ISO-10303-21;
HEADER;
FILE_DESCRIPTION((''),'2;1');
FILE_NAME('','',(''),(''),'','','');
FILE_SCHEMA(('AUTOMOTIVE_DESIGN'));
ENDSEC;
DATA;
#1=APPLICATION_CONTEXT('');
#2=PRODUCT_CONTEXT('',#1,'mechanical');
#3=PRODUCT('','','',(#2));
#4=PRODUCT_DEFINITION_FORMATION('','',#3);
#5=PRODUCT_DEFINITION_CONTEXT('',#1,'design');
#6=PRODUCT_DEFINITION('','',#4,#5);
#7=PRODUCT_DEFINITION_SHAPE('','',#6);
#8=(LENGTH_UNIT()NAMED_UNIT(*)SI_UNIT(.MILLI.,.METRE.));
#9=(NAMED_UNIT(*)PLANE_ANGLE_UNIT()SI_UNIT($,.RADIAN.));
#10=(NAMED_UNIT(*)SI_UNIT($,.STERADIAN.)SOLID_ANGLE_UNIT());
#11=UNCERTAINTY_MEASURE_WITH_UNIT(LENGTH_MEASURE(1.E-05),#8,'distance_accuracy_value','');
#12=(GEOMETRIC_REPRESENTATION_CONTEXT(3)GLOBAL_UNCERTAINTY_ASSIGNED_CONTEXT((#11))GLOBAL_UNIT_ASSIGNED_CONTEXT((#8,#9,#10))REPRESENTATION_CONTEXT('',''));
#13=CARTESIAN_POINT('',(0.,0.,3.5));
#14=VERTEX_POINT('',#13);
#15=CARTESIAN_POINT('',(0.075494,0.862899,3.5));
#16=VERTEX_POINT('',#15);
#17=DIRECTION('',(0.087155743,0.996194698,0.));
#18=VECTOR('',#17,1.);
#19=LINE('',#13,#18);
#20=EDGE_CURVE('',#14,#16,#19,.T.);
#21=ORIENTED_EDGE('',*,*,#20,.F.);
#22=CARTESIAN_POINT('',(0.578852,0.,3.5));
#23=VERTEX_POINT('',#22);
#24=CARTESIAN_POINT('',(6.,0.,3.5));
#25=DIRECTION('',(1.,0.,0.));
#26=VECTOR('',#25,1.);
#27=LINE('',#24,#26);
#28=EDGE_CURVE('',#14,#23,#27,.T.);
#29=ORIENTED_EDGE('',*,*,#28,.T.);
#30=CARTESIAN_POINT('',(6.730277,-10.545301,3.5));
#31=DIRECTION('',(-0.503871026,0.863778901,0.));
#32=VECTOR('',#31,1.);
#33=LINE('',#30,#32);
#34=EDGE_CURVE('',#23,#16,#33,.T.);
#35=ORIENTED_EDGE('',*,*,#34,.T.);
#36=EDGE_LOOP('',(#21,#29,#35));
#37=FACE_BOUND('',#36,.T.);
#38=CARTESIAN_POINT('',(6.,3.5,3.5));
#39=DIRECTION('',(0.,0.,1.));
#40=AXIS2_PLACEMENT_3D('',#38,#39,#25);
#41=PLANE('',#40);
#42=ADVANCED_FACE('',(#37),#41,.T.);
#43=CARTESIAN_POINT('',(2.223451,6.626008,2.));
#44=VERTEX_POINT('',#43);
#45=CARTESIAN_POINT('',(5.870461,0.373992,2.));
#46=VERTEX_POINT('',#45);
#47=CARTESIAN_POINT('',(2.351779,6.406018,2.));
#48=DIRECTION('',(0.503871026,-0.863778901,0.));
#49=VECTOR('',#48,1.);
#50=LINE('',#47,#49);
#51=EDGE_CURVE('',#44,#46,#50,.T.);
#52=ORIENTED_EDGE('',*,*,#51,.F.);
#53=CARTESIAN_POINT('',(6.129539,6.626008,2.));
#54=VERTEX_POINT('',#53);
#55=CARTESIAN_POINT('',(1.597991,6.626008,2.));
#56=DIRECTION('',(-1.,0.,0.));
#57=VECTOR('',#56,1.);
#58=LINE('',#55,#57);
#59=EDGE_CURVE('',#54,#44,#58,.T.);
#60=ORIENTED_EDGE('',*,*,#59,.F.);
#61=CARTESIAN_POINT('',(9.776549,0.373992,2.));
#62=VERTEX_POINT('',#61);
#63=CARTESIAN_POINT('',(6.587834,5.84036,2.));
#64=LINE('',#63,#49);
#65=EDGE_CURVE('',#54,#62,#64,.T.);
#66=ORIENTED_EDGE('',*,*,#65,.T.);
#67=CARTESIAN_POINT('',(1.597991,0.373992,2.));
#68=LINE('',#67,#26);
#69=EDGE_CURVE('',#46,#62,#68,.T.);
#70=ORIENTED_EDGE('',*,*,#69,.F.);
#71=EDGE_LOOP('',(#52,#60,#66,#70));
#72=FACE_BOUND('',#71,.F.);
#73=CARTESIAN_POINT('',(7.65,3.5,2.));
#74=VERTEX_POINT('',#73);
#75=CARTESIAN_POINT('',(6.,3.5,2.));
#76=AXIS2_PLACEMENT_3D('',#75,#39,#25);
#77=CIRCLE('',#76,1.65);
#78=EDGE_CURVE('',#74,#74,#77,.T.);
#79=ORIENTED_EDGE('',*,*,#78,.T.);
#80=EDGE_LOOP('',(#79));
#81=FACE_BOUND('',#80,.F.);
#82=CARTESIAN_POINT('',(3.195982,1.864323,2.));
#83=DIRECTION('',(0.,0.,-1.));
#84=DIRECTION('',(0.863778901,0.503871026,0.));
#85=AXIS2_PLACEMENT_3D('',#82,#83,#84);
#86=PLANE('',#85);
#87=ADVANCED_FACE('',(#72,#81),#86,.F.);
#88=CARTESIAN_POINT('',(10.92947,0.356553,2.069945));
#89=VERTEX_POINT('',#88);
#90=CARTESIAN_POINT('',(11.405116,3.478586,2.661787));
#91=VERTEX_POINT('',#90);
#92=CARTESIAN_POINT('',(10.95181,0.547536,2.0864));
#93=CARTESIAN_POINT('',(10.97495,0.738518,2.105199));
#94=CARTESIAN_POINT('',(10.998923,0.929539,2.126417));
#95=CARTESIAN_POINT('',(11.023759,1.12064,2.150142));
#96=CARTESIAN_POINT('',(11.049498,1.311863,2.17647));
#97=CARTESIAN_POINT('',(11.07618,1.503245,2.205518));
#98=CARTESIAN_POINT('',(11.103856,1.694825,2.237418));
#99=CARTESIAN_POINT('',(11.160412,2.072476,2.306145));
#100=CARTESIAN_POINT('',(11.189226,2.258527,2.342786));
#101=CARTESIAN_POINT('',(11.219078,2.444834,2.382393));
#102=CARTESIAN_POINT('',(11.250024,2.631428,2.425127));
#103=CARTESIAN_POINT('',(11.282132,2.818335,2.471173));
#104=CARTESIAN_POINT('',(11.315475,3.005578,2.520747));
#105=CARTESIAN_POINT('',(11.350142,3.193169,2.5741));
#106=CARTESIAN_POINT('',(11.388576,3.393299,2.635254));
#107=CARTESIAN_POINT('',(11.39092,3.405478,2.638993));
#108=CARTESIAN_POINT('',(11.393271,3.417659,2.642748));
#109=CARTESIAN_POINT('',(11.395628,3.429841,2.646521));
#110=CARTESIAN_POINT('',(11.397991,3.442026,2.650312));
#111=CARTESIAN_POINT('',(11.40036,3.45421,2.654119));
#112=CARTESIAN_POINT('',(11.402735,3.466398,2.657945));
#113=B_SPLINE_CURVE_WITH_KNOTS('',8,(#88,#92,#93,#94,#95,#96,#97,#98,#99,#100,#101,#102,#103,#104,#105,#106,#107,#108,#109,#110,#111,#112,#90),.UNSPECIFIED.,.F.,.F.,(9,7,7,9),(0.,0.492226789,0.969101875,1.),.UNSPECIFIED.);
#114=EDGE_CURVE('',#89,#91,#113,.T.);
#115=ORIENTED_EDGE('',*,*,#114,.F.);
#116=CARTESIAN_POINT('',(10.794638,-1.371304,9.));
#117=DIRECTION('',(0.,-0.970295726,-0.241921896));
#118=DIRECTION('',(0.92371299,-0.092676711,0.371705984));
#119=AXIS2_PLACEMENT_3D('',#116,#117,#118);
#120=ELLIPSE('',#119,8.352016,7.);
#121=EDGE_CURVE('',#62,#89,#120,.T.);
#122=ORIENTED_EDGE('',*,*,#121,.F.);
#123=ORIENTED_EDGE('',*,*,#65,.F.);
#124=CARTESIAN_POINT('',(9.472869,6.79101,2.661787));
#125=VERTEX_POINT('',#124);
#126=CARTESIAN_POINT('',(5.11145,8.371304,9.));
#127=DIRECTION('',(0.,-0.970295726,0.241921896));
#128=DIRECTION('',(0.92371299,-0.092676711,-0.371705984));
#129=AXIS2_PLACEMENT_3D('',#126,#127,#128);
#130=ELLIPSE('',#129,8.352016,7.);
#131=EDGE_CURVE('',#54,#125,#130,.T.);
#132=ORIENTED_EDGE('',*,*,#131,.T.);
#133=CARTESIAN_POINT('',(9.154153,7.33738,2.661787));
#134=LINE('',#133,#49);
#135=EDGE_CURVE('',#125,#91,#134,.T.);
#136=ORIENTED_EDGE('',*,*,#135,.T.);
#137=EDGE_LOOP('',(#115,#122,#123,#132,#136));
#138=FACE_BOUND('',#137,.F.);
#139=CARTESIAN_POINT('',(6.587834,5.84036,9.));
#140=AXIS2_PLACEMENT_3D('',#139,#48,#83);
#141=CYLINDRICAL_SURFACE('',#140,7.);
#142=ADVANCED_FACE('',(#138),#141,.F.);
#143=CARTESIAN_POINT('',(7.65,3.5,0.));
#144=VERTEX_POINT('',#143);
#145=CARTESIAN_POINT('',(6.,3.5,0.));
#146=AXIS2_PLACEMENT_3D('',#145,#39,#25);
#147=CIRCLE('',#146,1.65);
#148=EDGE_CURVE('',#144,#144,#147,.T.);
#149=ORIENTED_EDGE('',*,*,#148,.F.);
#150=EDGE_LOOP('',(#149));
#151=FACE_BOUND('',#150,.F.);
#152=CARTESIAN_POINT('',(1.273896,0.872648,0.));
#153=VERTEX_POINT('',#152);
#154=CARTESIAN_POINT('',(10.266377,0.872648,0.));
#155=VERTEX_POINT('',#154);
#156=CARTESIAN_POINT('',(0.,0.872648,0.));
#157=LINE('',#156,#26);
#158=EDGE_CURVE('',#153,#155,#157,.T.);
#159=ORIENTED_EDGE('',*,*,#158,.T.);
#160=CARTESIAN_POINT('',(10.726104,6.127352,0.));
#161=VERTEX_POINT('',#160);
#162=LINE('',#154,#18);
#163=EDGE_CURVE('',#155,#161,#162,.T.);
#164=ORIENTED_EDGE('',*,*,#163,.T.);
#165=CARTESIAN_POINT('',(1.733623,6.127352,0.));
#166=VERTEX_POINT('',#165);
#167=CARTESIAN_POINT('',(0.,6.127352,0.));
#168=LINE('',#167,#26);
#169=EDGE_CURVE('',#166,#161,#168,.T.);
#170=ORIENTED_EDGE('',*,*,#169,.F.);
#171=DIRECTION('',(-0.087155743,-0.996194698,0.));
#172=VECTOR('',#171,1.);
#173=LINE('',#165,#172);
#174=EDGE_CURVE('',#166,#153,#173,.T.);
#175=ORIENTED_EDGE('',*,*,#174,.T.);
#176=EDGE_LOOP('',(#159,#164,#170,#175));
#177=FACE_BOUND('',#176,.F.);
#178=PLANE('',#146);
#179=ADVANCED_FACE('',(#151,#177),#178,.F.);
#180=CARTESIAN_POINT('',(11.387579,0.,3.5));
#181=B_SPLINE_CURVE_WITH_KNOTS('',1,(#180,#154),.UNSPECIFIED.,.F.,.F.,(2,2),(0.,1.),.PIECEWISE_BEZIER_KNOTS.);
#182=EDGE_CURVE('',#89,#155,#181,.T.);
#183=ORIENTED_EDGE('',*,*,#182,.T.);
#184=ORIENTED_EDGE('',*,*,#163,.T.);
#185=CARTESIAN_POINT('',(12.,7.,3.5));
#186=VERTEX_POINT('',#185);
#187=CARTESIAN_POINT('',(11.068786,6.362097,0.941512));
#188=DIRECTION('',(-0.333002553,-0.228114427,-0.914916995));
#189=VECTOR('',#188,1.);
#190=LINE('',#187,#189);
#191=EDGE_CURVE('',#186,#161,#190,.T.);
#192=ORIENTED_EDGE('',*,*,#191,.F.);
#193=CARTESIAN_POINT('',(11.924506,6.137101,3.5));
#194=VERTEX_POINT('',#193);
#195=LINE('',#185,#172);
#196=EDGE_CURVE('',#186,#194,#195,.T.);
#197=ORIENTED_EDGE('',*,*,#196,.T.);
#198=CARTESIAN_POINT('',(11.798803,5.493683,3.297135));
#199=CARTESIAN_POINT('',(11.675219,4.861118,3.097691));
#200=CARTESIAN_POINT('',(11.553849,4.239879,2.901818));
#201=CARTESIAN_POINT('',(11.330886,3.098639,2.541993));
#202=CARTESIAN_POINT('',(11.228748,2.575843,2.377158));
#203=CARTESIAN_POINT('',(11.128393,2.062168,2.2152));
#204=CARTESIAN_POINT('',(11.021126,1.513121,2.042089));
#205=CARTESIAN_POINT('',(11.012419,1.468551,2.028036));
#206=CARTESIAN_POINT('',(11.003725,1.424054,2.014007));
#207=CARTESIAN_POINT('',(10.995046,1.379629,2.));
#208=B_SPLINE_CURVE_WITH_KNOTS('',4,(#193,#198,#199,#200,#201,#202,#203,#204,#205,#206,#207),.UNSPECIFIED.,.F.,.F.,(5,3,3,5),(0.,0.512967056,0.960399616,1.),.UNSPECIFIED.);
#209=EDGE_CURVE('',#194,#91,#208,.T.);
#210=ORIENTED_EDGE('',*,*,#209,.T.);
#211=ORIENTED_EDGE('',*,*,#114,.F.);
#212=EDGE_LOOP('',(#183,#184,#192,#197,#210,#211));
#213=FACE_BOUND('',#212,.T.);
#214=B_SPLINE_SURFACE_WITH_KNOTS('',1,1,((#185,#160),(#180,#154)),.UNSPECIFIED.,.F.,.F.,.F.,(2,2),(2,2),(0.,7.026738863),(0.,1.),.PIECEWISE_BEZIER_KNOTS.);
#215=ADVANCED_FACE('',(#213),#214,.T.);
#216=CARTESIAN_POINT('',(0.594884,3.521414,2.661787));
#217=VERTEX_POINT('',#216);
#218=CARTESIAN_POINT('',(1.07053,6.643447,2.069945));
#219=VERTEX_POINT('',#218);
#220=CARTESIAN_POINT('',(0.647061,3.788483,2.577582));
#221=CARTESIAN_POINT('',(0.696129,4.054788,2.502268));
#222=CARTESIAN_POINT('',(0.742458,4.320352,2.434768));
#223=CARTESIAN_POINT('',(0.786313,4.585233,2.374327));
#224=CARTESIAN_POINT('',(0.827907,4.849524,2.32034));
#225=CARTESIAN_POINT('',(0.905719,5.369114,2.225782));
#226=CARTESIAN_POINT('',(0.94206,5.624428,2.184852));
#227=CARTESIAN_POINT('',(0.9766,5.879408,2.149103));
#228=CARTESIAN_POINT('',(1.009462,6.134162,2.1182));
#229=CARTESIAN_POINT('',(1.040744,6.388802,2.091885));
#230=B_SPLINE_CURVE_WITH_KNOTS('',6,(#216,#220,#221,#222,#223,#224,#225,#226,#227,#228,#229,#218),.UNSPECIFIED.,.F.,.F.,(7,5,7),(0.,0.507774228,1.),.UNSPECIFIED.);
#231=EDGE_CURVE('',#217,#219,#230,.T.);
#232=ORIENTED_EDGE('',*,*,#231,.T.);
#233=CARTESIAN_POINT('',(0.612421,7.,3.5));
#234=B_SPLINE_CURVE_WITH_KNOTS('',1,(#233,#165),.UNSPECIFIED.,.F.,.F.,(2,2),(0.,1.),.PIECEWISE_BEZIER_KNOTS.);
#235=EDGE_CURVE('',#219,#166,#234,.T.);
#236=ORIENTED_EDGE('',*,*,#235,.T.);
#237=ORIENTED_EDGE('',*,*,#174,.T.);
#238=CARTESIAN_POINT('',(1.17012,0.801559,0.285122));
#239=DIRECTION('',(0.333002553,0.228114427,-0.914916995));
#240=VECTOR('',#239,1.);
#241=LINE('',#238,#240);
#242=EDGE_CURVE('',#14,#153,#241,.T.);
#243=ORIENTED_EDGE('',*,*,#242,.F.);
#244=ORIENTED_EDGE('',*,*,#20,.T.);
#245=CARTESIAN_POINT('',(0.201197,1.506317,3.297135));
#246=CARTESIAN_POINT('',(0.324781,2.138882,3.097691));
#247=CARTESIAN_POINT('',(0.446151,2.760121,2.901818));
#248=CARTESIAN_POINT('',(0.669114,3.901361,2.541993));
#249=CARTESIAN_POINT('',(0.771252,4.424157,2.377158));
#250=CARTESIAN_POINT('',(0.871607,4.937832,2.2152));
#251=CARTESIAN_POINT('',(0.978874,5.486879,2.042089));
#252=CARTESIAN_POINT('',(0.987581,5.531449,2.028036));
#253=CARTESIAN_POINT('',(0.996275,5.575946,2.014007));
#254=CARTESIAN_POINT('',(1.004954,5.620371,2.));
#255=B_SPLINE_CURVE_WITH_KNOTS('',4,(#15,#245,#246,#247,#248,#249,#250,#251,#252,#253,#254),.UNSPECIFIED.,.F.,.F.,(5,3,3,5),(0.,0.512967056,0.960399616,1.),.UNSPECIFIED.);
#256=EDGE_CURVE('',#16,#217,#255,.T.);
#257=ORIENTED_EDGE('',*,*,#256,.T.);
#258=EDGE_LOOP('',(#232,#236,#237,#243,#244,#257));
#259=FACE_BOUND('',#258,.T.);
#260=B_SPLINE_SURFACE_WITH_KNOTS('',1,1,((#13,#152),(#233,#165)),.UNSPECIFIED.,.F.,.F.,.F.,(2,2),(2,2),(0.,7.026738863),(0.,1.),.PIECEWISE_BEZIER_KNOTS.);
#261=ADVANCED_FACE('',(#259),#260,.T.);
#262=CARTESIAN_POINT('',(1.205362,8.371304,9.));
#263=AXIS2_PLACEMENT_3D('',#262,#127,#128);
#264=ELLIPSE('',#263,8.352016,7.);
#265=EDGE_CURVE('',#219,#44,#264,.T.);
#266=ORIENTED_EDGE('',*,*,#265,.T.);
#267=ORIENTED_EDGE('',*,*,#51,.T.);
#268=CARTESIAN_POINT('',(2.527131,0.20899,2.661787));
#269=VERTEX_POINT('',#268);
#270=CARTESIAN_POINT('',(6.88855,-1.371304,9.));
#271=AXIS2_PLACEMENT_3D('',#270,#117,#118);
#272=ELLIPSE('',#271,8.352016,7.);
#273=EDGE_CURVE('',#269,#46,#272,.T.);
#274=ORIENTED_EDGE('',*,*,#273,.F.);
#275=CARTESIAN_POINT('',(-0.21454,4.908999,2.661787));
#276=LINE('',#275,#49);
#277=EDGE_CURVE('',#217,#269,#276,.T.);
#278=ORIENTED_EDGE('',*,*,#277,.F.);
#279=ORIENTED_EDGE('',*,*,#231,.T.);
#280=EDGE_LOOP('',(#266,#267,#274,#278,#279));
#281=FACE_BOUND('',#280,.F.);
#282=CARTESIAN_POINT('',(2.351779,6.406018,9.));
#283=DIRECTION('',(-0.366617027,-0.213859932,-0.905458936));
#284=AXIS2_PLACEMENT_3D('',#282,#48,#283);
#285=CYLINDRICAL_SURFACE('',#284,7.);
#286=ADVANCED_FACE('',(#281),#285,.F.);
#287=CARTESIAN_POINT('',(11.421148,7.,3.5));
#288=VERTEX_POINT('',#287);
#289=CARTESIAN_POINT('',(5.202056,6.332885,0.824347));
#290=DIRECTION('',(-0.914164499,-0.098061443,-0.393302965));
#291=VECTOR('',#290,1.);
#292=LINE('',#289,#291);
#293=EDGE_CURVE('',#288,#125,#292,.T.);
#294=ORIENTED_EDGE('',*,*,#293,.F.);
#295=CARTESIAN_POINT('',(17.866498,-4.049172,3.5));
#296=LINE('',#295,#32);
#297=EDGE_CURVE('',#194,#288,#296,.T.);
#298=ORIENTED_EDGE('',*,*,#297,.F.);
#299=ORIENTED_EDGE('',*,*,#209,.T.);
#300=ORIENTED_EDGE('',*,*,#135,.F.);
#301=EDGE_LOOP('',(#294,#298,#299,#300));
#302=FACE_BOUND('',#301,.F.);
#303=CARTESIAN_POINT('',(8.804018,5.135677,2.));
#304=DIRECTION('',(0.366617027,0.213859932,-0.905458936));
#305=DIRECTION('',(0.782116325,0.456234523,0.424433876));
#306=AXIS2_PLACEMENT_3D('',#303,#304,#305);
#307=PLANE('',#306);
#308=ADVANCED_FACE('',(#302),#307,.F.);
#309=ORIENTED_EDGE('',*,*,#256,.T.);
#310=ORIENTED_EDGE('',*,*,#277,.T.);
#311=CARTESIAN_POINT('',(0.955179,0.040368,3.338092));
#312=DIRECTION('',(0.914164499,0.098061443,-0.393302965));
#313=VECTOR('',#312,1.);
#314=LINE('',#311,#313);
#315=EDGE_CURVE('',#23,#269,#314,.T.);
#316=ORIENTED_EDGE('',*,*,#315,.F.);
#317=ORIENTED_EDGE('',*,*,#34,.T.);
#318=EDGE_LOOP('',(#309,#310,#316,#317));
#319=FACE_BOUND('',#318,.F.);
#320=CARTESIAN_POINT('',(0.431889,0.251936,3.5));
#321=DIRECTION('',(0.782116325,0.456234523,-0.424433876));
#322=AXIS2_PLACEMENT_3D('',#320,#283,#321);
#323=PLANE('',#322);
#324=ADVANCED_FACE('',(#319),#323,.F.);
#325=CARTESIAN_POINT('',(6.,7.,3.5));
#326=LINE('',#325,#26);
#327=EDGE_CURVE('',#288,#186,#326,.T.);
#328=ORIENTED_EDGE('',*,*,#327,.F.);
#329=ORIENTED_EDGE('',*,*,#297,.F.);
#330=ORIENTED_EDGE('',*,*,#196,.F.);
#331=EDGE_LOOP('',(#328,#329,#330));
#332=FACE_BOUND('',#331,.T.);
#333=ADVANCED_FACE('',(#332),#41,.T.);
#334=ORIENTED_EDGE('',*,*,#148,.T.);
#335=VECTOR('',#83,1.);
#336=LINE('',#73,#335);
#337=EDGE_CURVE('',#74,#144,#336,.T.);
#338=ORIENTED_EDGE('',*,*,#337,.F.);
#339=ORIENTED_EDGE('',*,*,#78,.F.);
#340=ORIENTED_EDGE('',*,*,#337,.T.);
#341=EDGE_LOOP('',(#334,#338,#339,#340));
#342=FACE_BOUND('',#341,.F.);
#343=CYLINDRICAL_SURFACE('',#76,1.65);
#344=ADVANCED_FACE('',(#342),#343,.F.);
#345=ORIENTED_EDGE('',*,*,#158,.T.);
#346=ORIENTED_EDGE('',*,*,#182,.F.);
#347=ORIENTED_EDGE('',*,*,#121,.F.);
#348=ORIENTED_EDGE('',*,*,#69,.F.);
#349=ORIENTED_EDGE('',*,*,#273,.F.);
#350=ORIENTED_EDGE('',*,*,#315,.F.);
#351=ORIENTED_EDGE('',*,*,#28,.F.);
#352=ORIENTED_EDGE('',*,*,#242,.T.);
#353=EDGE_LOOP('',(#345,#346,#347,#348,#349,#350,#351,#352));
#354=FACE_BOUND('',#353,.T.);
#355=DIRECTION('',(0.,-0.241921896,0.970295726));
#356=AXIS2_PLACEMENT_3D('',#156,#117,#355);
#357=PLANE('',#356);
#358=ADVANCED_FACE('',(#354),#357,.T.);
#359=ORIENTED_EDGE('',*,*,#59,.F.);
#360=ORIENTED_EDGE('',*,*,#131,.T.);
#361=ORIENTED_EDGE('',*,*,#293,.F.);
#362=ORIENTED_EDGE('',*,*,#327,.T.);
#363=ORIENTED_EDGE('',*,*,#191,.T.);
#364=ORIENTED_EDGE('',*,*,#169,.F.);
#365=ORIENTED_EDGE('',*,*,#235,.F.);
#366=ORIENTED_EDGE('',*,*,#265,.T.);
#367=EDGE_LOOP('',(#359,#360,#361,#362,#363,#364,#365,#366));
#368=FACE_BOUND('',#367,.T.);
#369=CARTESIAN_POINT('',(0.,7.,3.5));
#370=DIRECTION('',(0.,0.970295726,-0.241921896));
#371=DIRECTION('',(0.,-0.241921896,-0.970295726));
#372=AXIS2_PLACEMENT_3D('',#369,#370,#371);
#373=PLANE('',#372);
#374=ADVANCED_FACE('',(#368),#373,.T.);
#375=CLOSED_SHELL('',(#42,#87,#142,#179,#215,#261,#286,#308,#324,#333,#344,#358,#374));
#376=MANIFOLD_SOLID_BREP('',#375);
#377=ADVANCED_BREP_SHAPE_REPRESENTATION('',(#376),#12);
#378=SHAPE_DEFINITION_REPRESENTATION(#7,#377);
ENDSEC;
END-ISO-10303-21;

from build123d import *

# Parameters (mm, degrees)
F0_W      = 12
F0_H      = 7
F1_DEPTH  = 3.5
F3_DEPTH  = 7.001
F5_DEPTH  = 12.001
F12_DEPTH = 12.5
F13_R     = 1.65
F14_DEPTH = 2.0010001
F15_R     = 7


with BuildPart() as f1:
    # F0 (on Top) → F1 (new body)
    with BuildSketch(Plane.XY):
        with Locations((6, 3.5)):
            Rectangle(F0_W, F0_H)
    extrude(amount=F1_DEPTH)

    # F2 (on face) → F3 (cut, through all)
    with BuildSketch(Plane.XZ):
        Polygon((1.2738958199, 0), (0, 3.5), (0, 0), align=None)
        Polygon((12, 0), (12, 3.5), (10.7261041801, 0), align=None)
    extrude(amount=-F3_DEPTH, mode=Mode.SUBTRACT)

    # F4 (on Right) → F5 (cut, through all)
    with BuildSketch(Plane.YZ):
        Polygon((0.87264801, 0), (0, 3.5), (0, 0), align=None)
        Polygon((6.12735199, 0), (7, 0), (7, 3.5), align=None)
    extrude(amount=F5_DEPTH, mode=Mode.SUBTRACT)

    # F6 (on face) → F8 section 0
    with BuildSketch(Plane.XY.offset(3.5)):
        Polygon((0, 7), (0, 0), (0.6124206447, 7), align=None)
    # F7 (on face) → F8 section 1
    with BuildSketch(Plane(origin=(0, 0, 0), x_dir=(1, 0, 0), z_dir=(0, 0, -1))):
        Polygon((1.2738958199, -0.87264801), (1.2738958199, -6.12735199), (1.7336228484, -6.12735199), align=None)
    loft(mode=Mode.SUBTRACT)

    # F6 (on face) → F9 section 0
    with BuildSketch(Plane.XY.offset(3.5)):
        Polygon((12, 7), (11.3875793553, 0), (12, 0), align=None)
    # F7 (on face) → F9 section 1
    with BuildSketch(Plane(origin=(0, 0, 0), x_dir=(1, 0, 0), z_dir=(0, 0, -1))):
        Polygon((10.7261041801, -0.87264801), (10.2663771516, -0.87264801), (10.7261041801, -6.12735199), align=None)
    loft(mode=Mode.SUBTRACT)

    # F11 (on 3pt) → F12 (cut, symmetric)
    with BuildSketch(Plane(origin=(0, 0, 0), x_dir=(0.8637789009, 0.5038710255, 0), z_dir=(0.5038710255, -0.8637789009, 0))):
        Polygon((9.8363507794, 3.5), (0.5, 3.5), (3.7, 2), (6.9462219947, 2), (10.1924439894, 2), (13.3924439894, 3.5), align=None)
    extrude(amount=F12_DEPTH, both=True, mode=Mode.SUBTRACT)

    # F13 (on face) → F14 (cut, through all)
    with BuildSketch(Plane.XY.offset(2)):
        with Locations((6, 3.5)):
            Circle(F13_R)
    extrude(amount=-F14_DEPTH, mode=Mode.SUBTRACT)

    # F15
    f15_edges = [f1.edges().sort_by_distance(p)[0] for p in [
        (2.535148, 2.997181, 2),
        (9.464852, 4.002819, 2),
    ]]
    fillet(f15_edges, radius=F15_R)


solid = f1.part
